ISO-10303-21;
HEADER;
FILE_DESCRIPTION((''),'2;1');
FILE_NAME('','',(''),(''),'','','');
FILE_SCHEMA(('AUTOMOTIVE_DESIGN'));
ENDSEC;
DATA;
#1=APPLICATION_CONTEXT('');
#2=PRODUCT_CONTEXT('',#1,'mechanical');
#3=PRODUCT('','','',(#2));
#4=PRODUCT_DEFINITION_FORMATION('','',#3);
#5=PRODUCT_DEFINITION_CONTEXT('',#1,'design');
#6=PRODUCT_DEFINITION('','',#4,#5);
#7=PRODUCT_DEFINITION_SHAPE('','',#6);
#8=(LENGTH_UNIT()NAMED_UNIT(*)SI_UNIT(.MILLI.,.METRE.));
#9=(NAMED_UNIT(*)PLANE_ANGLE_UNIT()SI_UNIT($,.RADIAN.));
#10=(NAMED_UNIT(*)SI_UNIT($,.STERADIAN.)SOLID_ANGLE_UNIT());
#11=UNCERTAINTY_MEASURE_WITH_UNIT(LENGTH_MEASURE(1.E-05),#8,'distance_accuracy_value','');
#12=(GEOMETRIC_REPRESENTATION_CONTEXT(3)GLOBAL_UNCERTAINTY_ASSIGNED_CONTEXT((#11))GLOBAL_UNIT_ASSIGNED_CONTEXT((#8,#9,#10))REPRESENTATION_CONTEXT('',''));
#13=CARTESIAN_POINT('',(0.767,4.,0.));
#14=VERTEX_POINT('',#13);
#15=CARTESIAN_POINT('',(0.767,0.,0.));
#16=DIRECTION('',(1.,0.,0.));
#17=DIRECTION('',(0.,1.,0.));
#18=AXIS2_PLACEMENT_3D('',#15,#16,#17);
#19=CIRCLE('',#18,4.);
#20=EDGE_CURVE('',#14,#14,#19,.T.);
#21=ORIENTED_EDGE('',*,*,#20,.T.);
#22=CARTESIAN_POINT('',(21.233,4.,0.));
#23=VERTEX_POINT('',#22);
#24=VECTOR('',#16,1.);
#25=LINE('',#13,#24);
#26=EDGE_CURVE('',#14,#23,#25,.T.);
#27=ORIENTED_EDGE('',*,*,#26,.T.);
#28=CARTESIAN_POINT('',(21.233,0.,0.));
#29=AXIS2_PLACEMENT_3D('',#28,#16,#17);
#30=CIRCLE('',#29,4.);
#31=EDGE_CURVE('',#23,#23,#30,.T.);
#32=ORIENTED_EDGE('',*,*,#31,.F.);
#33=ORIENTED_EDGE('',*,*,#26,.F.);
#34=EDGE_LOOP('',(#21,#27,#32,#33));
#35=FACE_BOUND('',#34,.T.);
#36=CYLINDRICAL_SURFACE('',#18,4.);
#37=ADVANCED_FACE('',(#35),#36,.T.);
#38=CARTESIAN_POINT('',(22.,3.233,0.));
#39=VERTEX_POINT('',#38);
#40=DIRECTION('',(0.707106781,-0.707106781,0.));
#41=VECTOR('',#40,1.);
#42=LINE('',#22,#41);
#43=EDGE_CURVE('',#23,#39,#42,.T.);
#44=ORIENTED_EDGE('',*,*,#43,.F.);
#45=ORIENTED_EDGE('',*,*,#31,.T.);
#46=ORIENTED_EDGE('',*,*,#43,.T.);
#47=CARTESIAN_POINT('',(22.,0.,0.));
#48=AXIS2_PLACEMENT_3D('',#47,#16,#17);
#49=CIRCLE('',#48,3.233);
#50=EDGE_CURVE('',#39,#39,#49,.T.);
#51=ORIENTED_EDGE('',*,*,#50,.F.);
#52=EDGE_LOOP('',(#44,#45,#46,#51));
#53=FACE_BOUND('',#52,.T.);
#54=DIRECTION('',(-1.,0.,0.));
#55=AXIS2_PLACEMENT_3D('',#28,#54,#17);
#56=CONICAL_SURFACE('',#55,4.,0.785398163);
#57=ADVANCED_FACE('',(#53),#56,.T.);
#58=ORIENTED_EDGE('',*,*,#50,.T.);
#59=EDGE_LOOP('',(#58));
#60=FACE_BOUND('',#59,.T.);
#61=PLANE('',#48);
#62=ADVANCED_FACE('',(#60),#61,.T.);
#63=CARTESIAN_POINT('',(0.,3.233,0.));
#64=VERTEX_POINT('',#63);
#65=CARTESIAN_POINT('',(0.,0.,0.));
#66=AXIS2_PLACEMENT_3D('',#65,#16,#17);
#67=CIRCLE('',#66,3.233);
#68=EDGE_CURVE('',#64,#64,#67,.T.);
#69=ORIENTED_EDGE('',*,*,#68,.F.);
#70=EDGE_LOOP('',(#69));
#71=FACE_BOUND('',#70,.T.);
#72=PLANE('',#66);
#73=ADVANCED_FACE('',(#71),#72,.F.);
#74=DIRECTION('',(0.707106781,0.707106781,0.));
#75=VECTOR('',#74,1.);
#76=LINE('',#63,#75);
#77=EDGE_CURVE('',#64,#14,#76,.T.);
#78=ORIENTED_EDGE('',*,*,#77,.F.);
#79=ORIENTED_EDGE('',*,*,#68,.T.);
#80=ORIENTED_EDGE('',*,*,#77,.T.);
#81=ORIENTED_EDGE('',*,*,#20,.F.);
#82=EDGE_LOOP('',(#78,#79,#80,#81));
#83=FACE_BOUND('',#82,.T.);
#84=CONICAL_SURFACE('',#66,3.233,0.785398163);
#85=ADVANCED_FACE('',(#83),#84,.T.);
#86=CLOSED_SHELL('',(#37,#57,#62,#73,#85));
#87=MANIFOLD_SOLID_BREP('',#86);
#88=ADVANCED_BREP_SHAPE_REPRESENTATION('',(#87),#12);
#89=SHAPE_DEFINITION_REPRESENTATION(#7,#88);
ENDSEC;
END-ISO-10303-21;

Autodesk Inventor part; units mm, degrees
sketch "Sketch_2" plane through (0, 0, 0) normal (0, 0, 1) x (1, 0, 0)
  line L0 (22, 0) -> (0, 0)
  line L1 (0, 0) -> (0, 3.233)
  line L2 (0, 3.233) -> (0.767, 4)
  line L3 (0.767, 4) -> (21.233, 4)
  line L4 (21.233, 4) -> (22, 3.233)
  line L5 (22, 3.233) -> (22, 0)
  line L6 (22, 0) -> (0, 0)
revolve "Revolution1" add sketch "Sketch_2" angle 360 about axis through (22, 0, 0) along (1, 0, 0)
thread "Thread1" size "M8x1.25" class "6g" standard "ISO Metric profile" full length
ref_plane "mdk_1_XY" through (0, 0, 0) normal (-1, 0, 0) x (0, 0, -1)
ref_plane "mdk_1_YZ" through (0, 0, 0) normal (0, 0, -1) x (0, -1, 0)
ref_plane "mdk_1_ZX" through (0, 0, 0) normal (0, -1, 0) x (-1, 0, 0)
ref_plane "mdk_d_XY" through (0, 0, 0) normal (0, 1, 0) x (1, 0, 0)
ref_plane "mdk_d_YZ" through (0, 0, 0) normal (1, 0, 0) x (0, 0, -1)
ref_plane "mdk_d_ZX" through (0, 0, 0) normal (0, 0, -1) x (0, 1, 0)
properties part number "MDK 0802-302200 Shaft"
